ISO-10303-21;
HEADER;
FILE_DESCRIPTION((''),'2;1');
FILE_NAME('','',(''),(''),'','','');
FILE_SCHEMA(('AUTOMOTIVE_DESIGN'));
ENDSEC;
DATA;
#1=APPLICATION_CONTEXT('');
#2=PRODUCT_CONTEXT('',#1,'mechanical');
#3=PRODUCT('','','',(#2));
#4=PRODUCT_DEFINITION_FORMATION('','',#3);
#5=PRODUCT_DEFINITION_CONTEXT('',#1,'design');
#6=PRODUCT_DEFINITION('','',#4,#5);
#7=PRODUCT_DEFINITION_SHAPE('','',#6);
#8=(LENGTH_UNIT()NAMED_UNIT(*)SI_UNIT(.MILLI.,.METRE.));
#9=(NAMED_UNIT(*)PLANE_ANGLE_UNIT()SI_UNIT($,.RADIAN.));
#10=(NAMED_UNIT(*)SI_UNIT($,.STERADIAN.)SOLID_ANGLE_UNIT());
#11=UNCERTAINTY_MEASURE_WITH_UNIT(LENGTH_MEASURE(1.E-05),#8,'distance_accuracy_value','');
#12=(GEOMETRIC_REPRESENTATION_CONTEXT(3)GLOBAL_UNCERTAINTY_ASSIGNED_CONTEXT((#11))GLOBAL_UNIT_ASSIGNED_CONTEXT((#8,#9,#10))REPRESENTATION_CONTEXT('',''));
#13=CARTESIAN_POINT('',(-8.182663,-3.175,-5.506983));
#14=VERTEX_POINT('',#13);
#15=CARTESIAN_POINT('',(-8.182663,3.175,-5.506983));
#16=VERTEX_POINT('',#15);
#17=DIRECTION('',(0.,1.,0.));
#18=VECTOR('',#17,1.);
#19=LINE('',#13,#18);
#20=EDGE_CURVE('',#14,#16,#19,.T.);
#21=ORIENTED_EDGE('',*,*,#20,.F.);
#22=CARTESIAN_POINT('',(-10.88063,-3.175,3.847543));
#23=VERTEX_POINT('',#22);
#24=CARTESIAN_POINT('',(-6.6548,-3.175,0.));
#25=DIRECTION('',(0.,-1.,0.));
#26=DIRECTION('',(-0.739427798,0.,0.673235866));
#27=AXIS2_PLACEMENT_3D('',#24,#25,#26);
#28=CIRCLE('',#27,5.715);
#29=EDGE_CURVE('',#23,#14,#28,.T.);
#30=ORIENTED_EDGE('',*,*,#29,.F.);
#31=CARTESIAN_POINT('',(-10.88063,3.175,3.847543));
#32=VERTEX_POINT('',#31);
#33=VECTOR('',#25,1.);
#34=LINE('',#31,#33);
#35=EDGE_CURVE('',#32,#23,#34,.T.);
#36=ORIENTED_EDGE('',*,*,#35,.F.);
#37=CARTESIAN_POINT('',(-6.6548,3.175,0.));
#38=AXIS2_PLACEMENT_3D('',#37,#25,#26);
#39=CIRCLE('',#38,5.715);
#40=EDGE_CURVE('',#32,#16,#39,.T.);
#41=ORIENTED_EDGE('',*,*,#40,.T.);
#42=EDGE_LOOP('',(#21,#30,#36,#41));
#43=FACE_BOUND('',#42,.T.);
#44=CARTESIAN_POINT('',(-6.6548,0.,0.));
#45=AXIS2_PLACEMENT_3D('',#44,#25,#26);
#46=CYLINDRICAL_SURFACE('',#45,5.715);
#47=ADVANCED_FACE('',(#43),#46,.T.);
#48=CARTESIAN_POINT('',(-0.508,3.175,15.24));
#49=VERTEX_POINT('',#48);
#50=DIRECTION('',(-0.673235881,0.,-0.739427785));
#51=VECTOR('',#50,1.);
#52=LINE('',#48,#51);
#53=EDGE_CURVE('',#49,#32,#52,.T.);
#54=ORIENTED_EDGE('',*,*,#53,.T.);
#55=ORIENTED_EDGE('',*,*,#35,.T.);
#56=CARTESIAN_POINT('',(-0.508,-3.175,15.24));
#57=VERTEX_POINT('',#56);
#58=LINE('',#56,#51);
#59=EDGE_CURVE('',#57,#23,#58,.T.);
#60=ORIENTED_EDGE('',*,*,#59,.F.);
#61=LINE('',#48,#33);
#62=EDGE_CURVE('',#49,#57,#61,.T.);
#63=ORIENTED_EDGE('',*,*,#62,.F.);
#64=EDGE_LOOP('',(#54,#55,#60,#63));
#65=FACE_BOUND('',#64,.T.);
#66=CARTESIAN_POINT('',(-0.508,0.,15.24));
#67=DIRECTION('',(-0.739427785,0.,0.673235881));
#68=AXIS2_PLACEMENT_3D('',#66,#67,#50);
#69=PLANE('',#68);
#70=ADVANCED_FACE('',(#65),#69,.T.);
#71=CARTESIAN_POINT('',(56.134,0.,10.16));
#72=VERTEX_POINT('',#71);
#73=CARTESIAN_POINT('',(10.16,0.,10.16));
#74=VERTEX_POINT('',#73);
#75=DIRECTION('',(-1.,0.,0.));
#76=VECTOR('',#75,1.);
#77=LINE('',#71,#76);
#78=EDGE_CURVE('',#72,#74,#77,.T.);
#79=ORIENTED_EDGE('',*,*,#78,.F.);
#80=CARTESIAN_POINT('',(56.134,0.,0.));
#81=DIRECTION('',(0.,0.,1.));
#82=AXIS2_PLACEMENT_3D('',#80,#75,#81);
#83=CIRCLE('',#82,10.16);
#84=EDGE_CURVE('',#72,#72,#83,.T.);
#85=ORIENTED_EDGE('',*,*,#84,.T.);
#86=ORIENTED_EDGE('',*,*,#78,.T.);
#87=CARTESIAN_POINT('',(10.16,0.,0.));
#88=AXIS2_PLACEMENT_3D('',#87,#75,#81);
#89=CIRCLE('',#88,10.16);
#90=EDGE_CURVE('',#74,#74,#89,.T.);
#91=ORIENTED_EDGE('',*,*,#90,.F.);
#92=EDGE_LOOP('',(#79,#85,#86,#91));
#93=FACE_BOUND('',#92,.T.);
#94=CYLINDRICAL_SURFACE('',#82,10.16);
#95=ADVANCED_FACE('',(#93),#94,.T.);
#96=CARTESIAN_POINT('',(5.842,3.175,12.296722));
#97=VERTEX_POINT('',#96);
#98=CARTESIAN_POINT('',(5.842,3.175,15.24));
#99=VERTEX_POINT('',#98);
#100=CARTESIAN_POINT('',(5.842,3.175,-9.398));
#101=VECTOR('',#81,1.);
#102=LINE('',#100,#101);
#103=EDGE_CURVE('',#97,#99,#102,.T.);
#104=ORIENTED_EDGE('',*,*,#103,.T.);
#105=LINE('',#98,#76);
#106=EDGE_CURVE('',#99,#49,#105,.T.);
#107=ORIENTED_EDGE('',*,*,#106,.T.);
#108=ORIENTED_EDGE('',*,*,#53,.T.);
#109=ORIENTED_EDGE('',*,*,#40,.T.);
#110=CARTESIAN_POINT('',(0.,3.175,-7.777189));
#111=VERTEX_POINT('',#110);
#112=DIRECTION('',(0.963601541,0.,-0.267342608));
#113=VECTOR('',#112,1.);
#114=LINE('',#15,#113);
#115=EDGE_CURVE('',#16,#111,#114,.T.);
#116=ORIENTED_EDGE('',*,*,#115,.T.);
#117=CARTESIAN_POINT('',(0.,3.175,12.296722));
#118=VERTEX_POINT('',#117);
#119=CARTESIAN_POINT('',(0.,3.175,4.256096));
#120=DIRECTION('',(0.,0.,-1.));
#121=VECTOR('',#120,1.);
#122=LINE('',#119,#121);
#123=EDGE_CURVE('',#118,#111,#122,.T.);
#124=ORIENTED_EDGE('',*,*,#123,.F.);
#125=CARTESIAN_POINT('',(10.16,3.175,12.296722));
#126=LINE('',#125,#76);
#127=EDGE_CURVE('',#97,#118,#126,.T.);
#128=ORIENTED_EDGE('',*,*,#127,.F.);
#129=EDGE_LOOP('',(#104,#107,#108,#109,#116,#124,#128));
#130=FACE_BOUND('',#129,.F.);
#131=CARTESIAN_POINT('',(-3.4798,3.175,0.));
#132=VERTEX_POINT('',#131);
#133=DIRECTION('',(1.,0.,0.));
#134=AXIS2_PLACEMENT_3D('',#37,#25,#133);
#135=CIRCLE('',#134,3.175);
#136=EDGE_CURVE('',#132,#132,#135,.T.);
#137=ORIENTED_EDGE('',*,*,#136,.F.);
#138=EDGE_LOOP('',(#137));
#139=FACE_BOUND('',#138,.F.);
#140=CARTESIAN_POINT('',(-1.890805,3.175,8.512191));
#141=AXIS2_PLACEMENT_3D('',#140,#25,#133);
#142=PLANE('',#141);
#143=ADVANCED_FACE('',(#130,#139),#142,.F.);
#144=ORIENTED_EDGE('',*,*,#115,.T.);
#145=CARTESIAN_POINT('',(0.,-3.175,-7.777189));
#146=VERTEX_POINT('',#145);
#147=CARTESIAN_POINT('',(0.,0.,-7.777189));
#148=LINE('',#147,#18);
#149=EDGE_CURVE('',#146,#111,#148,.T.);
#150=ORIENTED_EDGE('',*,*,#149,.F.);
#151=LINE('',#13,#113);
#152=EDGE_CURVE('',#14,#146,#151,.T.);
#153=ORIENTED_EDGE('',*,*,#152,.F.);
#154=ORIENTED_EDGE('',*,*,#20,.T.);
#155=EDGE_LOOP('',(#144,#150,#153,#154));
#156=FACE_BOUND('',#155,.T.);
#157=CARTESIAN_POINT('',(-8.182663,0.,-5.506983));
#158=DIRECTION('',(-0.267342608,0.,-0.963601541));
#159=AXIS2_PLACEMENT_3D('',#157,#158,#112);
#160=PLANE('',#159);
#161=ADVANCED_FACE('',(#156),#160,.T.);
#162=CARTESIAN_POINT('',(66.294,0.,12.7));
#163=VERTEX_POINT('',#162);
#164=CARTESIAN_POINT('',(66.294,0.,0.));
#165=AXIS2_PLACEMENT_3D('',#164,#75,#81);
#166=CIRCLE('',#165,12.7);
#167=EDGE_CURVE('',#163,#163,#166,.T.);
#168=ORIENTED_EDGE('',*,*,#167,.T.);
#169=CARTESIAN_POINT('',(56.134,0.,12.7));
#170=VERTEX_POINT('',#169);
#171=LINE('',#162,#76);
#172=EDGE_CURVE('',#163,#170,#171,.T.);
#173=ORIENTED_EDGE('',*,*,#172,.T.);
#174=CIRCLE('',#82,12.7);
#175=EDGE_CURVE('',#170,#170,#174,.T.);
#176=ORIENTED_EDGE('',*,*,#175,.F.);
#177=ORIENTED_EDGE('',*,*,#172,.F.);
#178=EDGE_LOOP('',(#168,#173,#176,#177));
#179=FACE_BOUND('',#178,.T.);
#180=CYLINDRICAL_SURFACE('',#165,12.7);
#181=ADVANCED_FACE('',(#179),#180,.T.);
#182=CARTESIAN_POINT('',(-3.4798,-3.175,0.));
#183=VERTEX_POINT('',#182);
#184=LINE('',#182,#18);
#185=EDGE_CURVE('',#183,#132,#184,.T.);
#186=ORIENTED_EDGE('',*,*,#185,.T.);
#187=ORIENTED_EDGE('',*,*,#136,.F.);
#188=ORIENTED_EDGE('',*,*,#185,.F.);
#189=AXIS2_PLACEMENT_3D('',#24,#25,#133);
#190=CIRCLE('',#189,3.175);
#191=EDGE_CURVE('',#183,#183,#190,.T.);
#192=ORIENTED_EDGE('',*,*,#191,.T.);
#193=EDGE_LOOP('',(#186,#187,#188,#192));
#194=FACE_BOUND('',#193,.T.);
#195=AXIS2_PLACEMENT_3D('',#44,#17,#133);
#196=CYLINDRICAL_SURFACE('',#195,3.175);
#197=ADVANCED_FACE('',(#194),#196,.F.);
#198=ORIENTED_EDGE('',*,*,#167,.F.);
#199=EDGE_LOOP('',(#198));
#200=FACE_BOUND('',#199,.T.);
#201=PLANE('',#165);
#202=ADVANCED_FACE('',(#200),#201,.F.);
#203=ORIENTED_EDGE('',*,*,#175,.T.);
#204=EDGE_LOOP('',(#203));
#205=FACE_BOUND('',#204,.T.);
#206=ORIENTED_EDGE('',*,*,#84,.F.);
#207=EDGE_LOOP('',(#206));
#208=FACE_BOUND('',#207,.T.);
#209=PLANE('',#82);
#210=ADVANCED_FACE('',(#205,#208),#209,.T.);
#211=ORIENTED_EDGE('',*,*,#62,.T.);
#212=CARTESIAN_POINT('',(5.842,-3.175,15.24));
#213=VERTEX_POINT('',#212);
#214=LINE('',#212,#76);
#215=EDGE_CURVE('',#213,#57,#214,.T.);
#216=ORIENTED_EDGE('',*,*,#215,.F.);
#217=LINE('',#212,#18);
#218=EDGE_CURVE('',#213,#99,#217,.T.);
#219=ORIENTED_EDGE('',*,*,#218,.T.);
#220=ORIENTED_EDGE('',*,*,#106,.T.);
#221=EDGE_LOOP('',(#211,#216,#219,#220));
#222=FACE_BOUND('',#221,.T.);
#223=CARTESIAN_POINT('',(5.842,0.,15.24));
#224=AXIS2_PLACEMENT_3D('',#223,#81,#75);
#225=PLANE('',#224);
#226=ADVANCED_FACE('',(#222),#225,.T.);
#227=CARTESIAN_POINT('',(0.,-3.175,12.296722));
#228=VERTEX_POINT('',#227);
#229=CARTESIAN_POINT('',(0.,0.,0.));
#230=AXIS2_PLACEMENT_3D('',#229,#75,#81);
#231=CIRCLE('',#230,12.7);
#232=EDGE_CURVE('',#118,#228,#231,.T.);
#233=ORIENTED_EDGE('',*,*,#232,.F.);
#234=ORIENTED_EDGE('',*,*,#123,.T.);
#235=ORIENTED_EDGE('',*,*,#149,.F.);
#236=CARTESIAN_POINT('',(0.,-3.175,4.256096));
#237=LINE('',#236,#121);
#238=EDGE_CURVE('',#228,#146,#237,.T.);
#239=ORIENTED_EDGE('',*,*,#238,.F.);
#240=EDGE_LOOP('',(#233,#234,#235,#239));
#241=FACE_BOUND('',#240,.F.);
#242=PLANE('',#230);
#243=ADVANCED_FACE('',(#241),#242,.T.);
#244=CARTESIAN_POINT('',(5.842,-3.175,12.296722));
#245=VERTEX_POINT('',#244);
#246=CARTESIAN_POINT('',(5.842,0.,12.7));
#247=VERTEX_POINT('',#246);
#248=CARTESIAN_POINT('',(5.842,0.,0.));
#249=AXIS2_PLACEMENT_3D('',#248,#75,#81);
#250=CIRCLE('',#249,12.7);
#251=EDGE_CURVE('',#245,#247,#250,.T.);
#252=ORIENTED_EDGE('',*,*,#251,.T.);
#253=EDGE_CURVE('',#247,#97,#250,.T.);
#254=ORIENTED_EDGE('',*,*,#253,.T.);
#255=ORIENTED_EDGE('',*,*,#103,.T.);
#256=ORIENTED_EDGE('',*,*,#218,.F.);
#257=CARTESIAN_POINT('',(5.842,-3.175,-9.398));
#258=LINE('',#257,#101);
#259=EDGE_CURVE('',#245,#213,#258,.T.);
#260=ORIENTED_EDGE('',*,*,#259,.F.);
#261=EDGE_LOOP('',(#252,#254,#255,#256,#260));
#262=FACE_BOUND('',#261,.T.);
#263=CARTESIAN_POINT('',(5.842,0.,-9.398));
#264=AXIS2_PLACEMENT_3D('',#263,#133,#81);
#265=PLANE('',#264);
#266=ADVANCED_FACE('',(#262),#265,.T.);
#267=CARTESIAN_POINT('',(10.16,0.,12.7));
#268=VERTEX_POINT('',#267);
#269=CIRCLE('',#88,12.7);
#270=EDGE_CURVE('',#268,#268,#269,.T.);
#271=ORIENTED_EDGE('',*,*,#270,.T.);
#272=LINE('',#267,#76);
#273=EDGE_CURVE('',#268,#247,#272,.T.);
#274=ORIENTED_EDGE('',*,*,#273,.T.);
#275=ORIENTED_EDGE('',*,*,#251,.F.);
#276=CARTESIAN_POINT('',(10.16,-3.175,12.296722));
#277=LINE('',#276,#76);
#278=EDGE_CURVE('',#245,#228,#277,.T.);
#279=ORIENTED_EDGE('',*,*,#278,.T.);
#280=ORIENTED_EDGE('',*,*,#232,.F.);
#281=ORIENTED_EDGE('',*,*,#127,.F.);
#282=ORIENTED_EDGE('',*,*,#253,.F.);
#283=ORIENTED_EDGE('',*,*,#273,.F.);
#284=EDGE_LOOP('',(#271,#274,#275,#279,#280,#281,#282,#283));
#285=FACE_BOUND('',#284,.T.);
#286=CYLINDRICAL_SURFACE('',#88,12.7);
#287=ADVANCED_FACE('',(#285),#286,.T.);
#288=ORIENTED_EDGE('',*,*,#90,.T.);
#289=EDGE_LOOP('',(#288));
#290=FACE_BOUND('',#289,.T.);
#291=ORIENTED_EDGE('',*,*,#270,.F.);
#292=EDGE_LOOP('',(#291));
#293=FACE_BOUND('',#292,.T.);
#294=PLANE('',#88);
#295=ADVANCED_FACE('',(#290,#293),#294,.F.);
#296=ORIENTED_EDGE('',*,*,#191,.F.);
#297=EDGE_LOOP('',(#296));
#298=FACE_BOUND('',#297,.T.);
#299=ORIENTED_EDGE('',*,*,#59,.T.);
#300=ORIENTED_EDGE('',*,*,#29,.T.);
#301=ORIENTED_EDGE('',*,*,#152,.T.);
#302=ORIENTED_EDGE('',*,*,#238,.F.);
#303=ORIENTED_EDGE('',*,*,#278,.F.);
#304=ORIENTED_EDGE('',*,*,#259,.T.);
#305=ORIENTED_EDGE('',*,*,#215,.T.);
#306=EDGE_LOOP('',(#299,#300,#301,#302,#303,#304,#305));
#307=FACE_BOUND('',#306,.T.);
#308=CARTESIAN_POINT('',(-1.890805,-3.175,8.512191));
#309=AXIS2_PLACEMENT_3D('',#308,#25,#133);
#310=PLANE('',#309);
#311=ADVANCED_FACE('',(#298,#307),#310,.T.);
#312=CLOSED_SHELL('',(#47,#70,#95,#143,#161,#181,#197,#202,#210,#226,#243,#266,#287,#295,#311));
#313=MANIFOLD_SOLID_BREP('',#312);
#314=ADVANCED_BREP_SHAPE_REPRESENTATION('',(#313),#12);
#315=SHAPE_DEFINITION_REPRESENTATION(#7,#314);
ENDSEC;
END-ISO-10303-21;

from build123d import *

# Parameters (mm, degrees)
F0_W     = 5.842
F0_H     = 12.7
F0_R     = 3.175
F2_DEPTH = 3.175


with BuildPart() as f1:
    # F0 (on Front) → F1 (revolve)
    with BuildSketch(Plane.XZ):
        Polygon((5.842, 12.7), (5.842, 0), (66.294, 0), (66.294, 12.7), (56.134, 12.7), (56.134, 10.16), (10.16, 10.16), (10.16, 12.7), align=None)
        with Locations((2.921, 6.35)):
            Rectangle(F0_W, F0_H)
    revolve(axis=Axis((33.147, 0, 0), (-1, 0, 0)))

    # F0 (on Front) → F2 (join, symmetric)
    with BuildSketch(Plane.XZ):
        with BuildLine():
            Line((-0.9398, 0), (0, 0))
            Line((0, 0), (0, 12.7))
            Line((0, 12.7), (5.842, 12.7))
            Line((5.842, 12.7), (5.842, 15.24))
            Line((5.842, 15.24), (-0.508, 15.24))
            Line((-0.508, 15.24), (-10.88063, 3.847543))
            ThreePointArc((-10.88063, 3.847543), (-4.591961, 5.329721), (-0.9398, 0))
        make_face()
        with BuildLine():
            ThreePointArc((-8.182663, -5.506983), (-3.195791, -4.549339), (-0.9398, 0))
            ThreePointArc((-0.9398, 0), (-4.591961, 5.329721), (-10.88063, 3.847543))
            ThreePointArc((-10.88063, 3.847543), (-12.145978, -1.583727), (-8.182663, -5.506983))
        make_face()
        with Locations((-6.6548, 0)):
            Circle(F0_R, mode=Mode.SUBTRACT)
        with BuildLine():
            Line((5.842, 0), (0, 0))
            Line((0, 0), (-0.9398, 0))
            ThreePointArc((-0.9398, 0), (-3.195791, -4.549339), (-8.182663, -5.506983))
            Line((-8.182663, -5.506983), (5.842, -9.398))
            Line((5.842, -9.398), (5.842, 0))
        make_face()
        with Locations((2.921, 6.35)):
            Rectangle(F0_W, F0_H)
    extrude(amount=F2_DEPTH, both=True)


solid = f1.part
